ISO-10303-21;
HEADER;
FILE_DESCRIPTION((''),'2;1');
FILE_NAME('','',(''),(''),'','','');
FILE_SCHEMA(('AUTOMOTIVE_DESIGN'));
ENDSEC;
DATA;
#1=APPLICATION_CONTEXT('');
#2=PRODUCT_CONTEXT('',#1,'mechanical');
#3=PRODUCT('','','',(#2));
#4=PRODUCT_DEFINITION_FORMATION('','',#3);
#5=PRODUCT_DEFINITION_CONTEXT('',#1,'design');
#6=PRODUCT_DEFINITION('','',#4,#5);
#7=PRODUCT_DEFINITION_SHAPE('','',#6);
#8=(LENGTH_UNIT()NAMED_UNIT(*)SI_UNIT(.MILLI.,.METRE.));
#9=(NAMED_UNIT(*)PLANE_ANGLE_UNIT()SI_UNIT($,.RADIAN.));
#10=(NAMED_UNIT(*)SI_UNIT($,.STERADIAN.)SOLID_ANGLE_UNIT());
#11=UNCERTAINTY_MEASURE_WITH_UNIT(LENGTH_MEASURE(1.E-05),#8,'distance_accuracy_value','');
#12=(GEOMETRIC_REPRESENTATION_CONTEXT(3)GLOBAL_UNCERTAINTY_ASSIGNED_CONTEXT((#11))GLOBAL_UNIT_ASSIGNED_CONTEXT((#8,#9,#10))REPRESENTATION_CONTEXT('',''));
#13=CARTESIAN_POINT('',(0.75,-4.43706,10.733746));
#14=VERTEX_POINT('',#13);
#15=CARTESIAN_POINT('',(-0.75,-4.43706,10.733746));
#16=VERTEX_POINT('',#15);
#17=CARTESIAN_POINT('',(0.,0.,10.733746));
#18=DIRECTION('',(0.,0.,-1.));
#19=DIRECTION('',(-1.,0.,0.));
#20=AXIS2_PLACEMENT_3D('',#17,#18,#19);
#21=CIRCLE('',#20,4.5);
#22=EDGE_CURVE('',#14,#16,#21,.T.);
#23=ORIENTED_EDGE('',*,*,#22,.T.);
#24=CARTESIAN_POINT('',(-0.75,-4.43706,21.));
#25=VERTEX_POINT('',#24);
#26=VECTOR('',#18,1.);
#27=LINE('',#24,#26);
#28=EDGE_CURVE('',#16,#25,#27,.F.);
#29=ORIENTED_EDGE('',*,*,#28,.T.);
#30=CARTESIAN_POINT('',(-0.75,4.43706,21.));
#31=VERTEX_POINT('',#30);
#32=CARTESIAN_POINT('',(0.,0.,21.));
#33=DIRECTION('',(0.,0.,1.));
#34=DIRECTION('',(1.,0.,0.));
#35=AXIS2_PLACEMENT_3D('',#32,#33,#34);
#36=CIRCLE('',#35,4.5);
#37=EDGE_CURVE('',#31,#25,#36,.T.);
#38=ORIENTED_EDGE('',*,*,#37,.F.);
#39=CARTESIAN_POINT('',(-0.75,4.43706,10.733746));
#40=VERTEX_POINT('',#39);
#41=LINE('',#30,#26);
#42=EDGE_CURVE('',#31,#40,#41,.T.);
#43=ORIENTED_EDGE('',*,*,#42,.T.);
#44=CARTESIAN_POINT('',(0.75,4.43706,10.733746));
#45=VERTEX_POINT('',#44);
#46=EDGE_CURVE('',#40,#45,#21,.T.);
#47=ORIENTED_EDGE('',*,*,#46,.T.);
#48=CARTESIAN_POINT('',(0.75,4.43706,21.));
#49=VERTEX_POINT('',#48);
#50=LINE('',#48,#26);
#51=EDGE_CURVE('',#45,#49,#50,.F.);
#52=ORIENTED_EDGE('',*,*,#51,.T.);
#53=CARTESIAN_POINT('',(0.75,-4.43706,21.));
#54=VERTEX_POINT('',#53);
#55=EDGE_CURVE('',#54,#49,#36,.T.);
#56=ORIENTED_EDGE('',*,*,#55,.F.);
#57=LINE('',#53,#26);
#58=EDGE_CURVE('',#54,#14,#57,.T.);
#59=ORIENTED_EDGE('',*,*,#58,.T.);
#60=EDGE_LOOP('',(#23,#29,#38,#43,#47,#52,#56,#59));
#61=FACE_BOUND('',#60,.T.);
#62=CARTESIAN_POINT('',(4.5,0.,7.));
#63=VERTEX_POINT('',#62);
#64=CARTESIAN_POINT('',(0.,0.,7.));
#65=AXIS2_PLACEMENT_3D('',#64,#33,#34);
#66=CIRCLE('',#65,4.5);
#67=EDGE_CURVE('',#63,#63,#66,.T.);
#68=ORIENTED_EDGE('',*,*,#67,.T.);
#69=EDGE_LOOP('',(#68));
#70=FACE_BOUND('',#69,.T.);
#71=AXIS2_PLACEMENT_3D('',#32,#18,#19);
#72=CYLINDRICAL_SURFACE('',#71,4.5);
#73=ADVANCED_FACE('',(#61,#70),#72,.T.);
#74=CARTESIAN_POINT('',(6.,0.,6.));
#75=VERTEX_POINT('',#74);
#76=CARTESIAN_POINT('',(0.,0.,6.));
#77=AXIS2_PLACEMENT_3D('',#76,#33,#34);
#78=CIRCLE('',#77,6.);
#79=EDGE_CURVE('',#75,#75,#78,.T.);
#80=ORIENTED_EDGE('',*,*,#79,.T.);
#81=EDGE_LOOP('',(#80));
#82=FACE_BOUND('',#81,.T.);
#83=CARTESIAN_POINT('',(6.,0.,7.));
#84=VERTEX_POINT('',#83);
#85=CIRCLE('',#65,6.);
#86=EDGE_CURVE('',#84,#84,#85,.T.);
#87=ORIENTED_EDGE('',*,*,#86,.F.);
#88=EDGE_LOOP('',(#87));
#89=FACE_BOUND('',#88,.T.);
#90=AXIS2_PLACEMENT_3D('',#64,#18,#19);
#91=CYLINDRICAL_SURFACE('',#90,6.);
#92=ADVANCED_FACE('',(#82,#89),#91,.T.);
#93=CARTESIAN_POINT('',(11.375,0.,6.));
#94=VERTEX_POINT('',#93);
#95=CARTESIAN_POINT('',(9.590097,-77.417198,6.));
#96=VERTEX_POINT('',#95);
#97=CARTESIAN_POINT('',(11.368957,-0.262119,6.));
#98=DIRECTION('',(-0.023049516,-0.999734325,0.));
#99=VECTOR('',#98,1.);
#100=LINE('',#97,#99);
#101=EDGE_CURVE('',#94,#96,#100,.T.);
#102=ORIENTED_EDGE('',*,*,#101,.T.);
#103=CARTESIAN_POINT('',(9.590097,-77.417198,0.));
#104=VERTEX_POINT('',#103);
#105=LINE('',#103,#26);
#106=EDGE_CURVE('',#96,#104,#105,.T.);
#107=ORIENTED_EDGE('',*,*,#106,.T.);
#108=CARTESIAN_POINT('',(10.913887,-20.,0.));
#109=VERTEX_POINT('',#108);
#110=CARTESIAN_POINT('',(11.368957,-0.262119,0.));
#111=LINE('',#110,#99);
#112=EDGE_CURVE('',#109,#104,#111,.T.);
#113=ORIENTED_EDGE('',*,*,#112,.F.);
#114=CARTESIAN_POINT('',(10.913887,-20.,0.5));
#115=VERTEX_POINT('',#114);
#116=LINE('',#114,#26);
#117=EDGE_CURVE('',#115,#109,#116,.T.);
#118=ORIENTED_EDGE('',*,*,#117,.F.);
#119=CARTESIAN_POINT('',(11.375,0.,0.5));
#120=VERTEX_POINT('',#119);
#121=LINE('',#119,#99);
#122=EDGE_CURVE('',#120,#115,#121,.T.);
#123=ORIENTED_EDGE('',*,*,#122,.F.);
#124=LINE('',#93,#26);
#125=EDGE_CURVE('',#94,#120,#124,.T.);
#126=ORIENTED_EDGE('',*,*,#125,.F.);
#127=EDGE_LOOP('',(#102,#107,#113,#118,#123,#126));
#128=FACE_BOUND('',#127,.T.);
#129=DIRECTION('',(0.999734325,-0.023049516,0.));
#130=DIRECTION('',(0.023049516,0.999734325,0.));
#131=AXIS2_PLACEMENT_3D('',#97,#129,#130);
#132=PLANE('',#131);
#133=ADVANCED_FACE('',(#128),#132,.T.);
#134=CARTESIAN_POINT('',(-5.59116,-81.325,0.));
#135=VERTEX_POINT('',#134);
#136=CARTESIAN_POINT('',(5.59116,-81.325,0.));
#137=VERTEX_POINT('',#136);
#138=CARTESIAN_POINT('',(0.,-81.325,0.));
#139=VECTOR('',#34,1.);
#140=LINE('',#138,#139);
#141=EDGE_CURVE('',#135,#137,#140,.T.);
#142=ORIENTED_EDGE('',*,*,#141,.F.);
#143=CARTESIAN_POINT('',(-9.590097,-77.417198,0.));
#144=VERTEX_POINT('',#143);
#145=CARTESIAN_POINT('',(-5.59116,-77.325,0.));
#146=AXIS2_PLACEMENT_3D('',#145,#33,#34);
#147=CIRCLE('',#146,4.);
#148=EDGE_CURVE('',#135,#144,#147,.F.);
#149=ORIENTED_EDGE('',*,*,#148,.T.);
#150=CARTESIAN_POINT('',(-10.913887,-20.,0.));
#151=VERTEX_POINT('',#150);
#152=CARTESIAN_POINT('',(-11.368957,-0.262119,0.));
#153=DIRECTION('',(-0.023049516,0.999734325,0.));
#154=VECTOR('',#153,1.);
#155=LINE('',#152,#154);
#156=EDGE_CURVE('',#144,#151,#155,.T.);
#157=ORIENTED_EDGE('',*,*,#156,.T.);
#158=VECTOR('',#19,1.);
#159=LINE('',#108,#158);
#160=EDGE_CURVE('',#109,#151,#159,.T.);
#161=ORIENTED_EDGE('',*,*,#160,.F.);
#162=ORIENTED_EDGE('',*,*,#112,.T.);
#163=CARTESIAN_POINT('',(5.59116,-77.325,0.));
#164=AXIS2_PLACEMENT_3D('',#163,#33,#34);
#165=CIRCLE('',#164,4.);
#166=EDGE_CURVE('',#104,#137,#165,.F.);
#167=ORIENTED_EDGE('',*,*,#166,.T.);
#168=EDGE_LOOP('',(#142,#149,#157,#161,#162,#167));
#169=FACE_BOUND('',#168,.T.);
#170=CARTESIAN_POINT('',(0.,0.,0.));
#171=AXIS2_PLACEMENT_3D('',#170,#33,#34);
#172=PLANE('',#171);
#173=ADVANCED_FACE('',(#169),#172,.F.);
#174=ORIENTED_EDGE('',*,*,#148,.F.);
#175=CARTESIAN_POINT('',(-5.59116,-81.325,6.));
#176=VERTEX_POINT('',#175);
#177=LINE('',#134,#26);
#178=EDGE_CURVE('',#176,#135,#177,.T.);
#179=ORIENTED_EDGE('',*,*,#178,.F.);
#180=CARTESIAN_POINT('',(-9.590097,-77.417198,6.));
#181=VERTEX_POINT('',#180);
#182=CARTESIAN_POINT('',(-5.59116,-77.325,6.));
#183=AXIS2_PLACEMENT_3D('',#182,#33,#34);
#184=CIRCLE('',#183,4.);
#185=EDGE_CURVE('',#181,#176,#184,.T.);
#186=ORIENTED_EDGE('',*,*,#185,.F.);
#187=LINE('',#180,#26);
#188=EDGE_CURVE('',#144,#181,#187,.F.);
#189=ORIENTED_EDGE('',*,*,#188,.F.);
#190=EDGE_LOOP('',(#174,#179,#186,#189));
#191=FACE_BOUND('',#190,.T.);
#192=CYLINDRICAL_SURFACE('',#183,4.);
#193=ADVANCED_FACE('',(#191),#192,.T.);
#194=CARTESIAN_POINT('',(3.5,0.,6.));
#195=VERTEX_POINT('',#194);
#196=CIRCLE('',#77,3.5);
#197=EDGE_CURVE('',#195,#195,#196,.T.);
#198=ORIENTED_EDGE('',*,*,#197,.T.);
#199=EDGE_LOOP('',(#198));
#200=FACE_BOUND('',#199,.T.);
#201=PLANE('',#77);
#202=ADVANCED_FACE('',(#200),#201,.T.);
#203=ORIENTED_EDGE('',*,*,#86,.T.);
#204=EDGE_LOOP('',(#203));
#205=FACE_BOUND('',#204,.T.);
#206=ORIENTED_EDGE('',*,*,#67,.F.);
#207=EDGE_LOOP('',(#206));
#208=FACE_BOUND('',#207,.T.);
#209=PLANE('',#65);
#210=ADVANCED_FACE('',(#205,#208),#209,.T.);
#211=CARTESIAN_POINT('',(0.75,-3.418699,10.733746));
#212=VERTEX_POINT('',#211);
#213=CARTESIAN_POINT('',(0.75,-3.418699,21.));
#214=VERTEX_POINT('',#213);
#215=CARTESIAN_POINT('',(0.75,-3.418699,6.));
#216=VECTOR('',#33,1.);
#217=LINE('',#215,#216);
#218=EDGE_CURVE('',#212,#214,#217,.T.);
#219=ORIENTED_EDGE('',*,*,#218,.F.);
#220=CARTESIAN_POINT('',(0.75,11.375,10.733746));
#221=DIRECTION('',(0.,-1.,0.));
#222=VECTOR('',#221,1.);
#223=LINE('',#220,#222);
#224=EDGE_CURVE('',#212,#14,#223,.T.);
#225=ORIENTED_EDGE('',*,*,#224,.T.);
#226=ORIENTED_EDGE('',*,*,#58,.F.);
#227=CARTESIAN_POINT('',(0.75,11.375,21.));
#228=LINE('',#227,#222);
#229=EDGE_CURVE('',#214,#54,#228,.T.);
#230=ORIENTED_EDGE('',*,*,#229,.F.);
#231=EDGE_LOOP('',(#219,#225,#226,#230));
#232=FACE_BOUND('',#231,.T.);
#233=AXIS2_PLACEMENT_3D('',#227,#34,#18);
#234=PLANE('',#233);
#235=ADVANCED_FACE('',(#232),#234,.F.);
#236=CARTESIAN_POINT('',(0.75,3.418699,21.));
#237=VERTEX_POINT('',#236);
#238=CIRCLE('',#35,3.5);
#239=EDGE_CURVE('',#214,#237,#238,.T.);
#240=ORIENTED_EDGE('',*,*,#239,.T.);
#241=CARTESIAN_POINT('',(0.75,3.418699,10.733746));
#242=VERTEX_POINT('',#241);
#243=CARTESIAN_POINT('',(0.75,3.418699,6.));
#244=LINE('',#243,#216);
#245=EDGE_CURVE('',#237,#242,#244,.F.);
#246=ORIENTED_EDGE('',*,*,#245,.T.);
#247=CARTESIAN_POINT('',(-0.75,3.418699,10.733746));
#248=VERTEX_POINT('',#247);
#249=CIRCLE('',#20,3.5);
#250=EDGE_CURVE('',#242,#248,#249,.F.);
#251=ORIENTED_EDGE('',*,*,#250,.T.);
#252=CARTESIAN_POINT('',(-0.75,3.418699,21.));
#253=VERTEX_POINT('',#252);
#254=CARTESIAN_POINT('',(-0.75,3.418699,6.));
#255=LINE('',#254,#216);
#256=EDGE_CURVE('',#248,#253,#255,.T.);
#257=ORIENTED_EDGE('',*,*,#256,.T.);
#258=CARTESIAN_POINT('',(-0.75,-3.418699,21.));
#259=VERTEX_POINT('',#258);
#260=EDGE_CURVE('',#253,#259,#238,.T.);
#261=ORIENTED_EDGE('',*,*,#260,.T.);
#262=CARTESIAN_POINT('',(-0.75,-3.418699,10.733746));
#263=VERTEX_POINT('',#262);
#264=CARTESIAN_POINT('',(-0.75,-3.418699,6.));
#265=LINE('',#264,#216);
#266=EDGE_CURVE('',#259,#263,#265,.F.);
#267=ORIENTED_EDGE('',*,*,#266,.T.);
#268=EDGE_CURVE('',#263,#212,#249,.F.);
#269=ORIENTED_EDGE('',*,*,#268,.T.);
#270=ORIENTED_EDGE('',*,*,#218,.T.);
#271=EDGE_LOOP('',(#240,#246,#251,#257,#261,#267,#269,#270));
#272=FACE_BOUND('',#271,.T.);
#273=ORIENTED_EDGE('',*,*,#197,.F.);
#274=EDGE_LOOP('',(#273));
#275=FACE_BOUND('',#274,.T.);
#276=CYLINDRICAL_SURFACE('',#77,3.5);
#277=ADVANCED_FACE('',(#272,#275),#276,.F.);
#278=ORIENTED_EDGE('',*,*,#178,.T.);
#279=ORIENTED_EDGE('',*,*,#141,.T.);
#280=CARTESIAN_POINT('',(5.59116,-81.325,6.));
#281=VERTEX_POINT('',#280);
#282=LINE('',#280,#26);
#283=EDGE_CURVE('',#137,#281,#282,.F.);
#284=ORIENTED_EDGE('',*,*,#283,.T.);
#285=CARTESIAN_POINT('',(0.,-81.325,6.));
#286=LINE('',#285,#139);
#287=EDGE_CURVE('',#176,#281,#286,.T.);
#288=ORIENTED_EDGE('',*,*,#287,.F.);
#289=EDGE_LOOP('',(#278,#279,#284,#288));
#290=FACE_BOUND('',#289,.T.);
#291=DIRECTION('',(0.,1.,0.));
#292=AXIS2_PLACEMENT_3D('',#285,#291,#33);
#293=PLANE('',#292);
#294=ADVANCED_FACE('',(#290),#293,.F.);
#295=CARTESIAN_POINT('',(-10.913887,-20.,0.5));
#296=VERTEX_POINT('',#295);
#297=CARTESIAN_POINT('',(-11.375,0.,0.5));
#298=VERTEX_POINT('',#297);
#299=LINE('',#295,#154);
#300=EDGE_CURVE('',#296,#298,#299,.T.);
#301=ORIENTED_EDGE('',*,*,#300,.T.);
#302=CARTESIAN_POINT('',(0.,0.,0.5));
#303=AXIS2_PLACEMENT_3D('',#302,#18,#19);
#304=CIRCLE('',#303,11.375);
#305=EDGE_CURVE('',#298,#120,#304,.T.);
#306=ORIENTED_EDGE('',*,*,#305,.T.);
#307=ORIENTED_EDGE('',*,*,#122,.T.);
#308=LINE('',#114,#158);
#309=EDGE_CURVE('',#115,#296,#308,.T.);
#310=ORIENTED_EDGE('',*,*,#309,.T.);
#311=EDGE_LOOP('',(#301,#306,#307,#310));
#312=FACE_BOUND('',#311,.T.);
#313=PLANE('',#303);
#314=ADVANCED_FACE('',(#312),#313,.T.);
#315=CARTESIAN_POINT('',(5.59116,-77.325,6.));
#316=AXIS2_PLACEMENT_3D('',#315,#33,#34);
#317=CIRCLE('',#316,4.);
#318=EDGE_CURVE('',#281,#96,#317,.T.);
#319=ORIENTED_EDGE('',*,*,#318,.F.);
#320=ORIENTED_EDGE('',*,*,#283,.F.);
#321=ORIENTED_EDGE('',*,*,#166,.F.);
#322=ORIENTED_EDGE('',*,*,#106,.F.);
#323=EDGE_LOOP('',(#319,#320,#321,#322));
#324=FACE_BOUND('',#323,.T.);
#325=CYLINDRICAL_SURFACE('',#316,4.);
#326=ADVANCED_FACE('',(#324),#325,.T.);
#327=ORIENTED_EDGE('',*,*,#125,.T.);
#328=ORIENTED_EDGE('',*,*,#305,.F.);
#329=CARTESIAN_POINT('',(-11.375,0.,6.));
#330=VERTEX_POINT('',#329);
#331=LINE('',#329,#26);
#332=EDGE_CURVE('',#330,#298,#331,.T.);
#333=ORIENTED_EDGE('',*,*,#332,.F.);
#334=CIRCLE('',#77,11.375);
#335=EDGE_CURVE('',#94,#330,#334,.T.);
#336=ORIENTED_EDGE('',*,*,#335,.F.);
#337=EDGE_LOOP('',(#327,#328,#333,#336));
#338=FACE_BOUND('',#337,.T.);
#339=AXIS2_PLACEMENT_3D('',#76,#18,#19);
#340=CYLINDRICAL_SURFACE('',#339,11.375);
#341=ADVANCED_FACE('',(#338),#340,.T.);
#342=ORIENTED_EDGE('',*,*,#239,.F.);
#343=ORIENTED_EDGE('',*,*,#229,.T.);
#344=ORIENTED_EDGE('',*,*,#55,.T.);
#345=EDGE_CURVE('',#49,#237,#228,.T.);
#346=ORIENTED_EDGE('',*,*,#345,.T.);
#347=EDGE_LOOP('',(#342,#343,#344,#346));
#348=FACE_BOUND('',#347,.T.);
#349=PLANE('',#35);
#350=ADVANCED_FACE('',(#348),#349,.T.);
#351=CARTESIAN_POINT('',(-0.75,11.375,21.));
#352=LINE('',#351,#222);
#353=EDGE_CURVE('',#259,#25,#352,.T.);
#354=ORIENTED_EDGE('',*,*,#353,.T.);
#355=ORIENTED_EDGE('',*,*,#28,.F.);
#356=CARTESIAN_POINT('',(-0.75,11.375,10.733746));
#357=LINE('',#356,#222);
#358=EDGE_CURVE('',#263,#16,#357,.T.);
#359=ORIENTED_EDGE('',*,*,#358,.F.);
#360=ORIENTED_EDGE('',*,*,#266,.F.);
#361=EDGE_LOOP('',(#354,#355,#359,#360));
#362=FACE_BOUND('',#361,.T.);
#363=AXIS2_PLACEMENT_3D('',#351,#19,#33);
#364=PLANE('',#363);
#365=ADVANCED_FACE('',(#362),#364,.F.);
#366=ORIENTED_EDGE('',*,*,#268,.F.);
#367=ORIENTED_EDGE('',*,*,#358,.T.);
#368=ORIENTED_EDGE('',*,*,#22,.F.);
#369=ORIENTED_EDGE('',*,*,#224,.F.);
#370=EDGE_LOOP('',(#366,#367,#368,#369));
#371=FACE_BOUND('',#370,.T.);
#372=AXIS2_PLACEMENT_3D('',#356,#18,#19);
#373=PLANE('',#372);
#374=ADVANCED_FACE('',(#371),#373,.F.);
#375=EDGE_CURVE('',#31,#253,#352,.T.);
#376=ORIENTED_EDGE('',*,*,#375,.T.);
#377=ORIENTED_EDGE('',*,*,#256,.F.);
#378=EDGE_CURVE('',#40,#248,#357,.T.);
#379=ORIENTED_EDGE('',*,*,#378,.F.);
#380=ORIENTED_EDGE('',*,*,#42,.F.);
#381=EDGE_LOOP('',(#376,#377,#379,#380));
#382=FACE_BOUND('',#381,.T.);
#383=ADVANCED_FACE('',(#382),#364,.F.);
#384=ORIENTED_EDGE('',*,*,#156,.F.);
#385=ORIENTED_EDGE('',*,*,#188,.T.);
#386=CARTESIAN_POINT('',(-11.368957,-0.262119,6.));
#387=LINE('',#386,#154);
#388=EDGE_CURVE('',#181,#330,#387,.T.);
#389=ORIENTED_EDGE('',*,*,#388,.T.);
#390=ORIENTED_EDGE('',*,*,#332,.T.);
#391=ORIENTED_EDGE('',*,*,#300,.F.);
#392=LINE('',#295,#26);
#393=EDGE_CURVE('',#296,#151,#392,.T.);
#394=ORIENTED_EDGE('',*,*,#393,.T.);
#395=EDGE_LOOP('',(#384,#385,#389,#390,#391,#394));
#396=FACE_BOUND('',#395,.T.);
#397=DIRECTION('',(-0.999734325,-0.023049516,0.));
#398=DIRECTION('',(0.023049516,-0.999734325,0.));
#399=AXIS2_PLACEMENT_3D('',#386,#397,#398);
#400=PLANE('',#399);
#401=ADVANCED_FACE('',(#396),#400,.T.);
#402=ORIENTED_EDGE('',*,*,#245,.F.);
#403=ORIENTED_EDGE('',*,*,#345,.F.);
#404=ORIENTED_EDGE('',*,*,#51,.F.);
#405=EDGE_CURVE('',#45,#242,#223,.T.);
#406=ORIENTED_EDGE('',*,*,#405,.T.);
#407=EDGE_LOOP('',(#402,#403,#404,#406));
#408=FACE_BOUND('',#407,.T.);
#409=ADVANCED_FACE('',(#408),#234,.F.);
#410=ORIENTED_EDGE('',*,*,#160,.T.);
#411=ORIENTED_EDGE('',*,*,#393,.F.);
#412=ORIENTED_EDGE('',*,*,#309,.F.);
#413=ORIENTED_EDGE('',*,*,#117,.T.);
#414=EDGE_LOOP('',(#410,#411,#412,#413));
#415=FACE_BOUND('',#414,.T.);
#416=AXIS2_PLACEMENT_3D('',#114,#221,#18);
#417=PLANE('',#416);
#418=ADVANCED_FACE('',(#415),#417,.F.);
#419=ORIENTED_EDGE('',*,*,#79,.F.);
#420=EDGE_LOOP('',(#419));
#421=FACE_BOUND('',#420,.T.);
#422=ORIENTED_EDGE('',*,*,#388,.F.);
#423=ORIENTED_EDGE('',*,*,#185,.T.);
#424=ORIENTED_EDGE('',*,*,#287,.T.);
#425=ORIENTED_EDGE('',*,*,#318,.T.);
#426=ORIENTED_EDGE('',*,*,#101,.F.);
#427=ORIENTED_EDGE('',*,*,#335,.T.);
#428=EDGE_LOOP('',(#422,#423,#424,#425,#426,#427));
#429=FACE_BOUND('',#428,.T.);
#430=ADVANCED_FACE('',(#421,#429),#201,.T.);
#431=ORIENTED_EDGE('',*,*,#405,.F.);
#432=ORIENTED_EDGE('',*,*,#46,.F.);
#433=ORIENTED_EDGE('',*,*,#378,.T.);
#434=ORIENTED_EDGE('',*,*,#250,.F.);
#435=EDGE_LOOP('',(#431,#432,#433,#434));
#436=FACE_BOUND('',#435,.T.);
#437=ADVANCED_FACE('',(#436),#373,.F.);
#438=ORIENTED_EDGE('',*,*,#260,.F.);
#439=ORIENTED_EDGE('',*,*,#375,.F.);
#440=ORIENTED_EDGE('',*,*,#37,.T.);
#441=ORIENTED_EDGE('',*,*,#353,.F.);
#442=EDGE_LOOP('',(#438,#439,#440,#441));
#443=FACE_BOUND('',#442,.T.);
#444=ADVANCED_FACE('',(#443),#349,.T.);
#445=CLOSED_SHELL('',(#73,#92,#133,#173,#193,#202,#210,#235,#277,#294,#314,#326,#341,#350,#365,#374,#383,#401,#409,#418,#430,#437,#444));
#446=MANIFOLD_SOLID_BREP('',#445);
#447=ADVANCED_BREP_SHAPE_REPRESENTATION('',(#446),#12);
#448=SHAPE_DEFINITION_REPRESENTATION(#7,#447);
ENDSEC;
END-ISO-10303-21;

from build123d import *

# Parameters (mm, degrees)
EXTRUDE_1_DEPTH     = 6
FILLET_1_R          = 4
SKETCH_2_R          = 4.5
EXTRUDE_2_DEPTH     = 15
SKETCH_4_R          = 6
EXTRUDE_3_DEPTH     = 1
SKETCH_5_R          = 3.5
CUT_EXTRUDE_1_DEPTH = 15
SKETCH_6_W          = 1.5
SKETCH_6_H          = 10.26625424
CUT_EXTRUDE_2_DEPTH = 16.875
CUT_EXTRUDE_3_DEPTH = 0.5


with BuildPart() as part:
    # 草圖1 → 填料-伸長1 (new body)
    with BuildSketch(Plane.XY):
        with BuildLine():
            Line((-11.362913376, -0.524237167), (-9.5, -81.325))
            Line((-9.5, -81.325), (9.5, -81.325))
            Line((9.5, -81.325), (11.362913376, -0.524237167))
            Line((11.362913376, -0.524237167), (11.375, 0))
            ThreePointArc((11.375, 0), (0, 11.375), (-11.375, 0))
            Line((-11.375, 0), (-11.362913376, -0.524237167))
        make_face()
    extrude(amount=EXTRUDE_1_DEPTH)

    # 圓角1
    fillet_1_edges = [part.edges().sort_by_distance(p)[0] for p in [
        (9.5, -81.325, 3),
        (-9.5, -81.325, 3),
    ]]
    fillet(fillet_1_edges, radius=FILLET_1_R)

    # 草圖2 → 填料-伸長2 (add)
    with BuildSketch(Plane.XY.offset(6)):
        Circle(SKETCH_2_R)
    extrude(amount=EXTRUDE_2_DEPTH)

    # 草圖4 → 填料-伸長3 (add)
    with BuildSketch(Plane.XY.offset(6)):
        Circle(SKETCH_4_R)
    extrude(amount=EXTRUDE_3_DEPTH)

    # 草圖5 → 除料-伸長1 (cut)
    with BuildSketch(Plane.XY.offset(21)):
        Circle(SKETCH_5_R)
    extrude(amount=-CUT_EXTRUDE_1_DEPTH, mode=Mode.SUBTRACT)

    # 草圖6 → 除料-伸長2 (cut, through all)
    with BuildSketch(Plane(origin=(0, -4.5, 0), x_dir=(-1, 0, 0), z_dir=(0, -1, 0))):
        with Locations((0, -15.86687288)):
            Rectangle(SKETCH_6_W, SKETCH_6_H)
    extrude(amount=-CUT_EXTRUDE_2_DEPTH, mode=Mode.SUBTRACT)

    # 草圖7 → 除料-伸長3 (cut)
    with BuildSketch(Plane(origin=(0, 0, 0), x_dir=(-1, 0, 0), z_dir=(0, 0, -1))):
        with BuildLine():
            Line((-10.913887181, -20), (10.913887181, -20))
            Line((10.913887181, -20), (11.375, 0))
            ThreePointArc((11.375, 0), (0, 11.375), (-11.375, 0))
            Line((-11.375, 0), (-10.913887181, -20))
        make_face()
    extrude(amount=-CUT_EXTRUDE_3_DEPTH, mode=Mode.SUBTRACT)


solid = part.part
